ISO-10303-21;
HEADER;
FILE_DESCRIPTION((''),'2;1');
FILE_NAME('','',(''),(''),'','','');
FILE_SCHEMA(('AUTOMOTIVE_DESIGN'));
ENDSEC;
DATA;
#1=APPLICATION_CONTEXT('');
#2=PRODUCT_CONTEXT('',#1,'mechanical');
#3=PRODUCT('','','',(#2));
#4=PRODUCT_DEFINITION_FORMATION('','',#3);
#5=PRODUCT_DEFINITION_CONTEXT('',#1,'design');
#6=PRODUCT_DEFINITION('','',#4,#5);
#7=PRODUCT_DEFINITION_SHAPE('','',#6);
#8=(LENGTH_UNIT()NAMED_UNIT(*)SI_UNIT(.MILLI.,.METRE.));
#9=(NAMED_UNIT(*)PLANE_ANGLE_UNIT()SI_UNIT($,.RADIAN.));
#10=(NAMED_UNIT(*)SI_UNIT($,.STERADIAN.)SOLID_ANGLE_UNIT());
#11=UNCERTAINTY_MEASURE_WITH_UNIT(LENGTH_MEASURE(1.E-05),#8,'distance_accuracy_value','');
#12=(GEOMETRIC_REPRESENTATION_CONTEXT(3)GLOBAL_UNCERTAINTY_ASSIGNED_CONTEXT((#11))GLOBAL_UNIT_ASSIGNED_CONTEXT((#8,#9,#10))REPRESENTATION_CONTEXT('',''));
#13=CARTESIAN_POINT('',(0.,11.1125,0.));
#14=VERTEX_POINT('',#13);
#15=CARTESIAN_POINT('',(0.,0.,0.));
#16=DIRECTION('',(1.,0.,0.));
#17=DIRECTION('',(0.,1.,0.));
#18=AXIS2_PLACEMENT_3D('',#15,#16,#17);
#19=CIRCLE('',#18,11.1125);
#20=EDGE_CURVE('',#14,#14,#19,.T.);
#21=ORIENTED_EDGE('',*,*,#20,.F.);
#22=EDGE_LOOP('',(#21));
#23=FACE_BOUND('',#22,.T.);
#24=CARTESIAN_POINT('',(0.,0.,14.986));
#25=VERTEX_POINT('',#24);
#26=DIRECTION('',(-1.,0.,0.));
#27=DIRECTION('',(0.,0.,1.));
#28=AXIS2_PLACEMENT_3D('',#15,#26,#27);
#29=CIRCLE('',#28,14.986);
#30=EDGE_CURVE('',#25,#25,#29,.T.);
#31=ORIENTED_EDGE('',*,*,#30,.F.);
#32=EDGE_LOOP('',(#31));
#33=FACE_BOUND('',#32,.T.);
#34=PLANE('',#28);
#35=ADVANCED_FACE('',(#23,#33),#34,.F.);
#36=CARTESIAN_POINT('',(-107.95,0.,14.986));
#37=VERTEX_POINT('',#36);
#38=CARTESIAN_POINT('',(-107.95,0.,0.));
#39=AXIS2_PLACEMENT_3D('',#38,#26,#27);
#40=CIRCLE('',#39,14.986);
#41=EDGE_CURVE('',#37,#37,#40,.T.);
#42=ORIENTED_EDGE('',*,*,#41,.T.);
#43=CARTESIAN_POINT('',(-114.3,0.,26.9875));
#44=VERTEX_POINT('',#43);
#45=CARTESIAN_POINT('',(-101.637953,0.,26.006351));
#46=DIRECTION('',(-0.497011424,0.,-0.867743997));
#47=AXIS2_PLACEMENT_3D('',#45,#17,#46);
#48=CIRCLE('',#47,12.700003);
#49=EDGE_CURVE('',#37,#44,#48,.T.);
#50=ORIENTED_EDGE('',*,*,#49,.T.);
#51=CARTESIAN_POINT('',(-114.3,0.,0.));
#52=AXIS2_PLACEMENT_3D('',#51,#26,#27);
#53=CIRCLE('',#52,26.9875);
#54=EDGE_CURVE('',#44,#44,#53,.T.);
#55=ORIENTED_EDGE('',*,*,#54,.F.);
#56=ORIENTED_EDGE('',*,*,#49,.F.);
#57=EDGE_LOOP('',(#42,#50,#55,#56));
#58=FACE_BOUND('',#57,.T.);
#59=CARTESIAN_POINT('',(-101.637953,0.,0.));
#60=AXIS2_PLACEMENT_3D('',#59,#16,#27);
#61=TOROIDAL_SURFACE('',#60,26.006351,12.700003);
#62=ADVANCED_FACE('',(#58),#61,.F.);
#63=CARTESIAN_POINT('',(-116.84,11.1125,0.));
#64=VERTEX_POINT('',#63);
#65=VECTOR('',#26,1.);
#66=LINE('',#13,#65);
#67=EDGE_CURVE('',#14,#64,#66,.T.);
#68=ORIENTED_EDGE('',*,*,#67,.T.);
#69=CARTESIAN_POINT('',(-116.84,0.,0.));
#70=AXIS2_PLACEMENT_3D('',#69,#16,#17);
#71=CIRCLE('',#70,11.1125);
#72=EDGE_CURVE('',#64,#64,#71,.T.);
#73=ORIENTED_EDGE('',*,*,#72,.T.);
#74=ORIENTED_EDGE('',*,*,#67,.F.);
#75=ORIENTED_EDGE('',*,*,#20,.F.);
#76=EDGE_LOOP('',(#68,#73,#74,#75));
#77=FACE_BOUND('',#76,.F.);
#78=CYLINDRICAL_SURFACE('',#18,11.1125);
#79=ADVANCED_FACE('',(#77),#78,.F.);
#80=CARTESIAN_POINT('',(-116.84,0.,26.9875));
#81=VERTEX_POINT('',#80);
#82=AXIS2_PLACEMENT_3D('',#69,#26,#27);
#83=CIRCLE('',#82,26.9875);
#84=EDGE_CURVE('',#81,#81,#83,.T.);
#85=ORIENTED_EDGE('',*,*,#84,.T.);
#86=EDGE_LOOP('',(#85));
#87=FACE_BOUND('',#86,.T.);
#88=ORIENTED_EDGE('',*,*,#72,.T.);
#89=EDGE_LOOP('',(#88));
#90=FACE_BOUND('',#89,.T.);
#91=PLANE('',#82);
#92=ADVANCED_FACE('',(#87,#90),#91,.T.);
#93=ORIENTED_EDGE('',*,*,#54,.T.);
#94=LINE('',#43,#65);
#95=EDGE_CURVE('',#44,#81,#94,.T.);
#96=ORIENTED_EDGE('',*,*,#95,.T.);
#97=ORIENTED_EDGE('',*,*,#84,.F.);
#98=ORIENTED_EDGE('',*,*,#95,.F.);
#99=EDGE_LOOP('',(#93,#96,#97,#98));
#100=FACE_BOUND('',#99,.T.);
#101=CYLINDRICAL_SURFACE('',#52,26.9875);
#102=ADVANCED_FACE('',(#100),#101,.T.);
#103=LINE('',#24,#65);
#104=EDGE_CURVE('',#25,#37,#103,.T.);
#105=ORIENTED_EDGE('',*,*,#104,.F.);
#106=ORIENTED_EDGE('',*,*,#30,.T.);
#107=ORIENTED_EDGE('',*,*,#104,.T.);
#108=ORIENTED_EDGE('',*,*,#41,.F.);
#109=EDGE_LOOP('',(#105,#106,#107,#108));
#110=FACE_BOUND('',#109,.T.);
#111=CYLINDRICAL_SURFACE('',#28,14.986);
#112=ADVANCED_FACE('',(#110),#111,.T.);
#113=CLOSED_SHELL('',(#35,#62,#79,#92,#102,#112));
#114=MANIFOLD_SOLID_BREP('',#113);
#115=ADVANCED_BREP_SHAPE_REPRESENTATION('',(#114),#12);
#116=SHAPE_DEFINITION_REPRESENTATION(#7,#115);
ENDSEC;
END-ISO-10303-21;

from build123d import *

# Parameters (mm, degrees)
F2_R     = 11.1125
F3_DEPTH = 116.841


with BuildPart() as f1:
    # F0 (on Front) → F1 (revolve)
    with BuildSketch(Plane.XZ):
        with BuildLine():
            Line((0, 0), (0, 14.986))
            Line((0, 14.986), (-107.95, 14.986))
            ThreePointArc((-107.95, 14.986), (-112.863507, 20.066905), (-114.3, 26.9875))
            Line((-114.3, 26.9875), (-116.84, 26.9875))
            Line((-116.84, 26.9875), (-116.84, 0))
            Line((-116.84, 0), (0, 0))
        make_face()
    revolve(axis=Axis((-97.301879, 0, 0), (-1, 0, 0)))

    # F2 (on face) → F3 (cut, through all)
    with BuildSketch(Plane.YZ):
        Circle(F2_R)
    extrude(amount=-F3_DEPTH, mode=Mode.SUBTRACT)


solid = f1.part
